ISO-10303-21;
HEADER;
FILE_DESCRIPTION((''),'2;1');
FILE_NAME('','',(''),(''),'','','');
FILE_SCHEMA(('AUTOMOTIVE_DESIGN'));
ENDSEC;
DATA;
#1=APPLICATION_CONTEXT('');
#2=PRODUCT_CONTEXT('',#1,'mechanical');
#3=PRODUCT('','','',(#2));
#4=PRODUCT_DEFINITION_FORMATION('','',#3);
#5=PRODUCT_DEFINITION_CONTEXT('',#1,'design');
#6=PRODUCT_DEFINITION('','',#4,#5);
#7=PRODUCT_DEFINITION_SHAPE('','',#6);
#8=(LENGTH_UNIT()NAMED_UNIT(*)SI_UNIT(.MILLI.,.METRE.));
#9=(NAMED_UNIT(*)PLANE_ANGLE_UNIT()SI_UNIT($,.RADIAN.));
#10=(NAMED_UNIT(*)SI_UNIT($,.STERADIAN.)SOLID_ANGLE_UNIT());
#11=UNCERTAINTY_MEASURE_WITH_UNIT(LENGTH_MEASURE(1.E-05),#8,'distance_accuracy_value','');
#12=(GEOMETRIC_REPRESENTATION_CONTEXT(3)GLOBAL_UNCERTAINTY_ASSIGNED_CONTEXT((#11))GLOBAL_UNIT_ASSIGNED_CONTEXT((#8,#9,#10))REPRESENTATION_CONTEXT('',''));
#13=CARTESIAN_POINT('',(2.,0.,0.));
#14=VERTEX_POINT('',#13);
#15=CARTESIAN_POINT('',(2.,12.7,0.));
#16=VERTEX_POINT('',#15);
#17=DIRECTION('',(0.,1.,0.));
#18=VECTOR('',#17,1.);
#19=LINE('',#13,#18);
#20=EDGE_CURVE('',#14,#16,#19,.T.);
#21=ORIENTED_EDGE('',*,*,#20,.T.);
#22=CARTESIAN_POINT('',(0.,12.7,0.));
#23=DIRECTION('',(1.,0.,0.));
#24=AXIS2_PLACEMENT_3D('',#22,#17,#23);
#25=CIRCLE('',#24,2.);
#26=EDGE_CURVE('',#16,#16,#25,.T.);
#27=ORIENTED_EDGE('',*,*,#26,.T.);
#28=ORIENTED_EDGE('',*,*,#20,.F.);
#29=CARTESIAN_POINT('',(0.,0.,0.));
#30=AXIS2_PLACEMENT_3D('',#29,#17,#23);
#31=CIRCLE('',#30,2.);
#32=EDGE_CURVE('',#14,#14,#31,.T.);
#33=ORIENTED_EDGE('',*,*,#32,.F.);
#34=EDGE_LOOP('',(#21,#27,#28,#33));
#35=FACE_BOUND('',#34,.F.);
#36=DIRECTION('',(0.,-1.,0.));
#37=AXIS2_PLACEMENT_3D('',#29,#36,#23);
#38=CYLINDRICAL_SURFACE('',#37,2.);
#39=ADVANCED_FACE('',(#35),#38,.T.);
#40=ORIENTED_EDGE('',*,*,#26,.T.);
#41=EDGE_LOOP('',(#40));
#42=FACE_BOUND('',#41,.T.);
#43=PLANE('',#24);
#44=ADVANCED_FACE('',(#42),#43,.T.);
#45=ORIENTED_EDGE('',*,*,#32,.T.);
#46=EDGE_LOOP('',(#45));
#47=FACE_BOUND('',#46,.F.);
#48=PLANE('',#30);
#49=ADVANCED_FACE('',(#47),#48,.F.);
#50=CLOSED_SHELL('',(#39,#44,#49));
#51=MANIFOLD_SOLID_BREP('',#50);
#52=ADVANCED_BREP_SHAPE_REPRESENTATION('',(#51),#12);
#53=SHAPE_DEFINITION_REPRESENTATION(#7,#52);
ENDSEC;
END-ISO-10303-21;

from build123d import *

# Parameters (mm, degrees)
SKETCH1_R        = 2
DOWEL_BODY_DEPTH = 12.7


with BuildPart() as part:
    # Sketch1 → dowel_body (new body)
    with BuildSketch(Plane(origin=(0, 0, 0), x_dir=(1, 0, 0), z_dir=(0, 1, 0))):
        Circle(SKETCH1_R)
    extrude(amount=DOWEL_BODY_DEPTH)


solid = part.part
